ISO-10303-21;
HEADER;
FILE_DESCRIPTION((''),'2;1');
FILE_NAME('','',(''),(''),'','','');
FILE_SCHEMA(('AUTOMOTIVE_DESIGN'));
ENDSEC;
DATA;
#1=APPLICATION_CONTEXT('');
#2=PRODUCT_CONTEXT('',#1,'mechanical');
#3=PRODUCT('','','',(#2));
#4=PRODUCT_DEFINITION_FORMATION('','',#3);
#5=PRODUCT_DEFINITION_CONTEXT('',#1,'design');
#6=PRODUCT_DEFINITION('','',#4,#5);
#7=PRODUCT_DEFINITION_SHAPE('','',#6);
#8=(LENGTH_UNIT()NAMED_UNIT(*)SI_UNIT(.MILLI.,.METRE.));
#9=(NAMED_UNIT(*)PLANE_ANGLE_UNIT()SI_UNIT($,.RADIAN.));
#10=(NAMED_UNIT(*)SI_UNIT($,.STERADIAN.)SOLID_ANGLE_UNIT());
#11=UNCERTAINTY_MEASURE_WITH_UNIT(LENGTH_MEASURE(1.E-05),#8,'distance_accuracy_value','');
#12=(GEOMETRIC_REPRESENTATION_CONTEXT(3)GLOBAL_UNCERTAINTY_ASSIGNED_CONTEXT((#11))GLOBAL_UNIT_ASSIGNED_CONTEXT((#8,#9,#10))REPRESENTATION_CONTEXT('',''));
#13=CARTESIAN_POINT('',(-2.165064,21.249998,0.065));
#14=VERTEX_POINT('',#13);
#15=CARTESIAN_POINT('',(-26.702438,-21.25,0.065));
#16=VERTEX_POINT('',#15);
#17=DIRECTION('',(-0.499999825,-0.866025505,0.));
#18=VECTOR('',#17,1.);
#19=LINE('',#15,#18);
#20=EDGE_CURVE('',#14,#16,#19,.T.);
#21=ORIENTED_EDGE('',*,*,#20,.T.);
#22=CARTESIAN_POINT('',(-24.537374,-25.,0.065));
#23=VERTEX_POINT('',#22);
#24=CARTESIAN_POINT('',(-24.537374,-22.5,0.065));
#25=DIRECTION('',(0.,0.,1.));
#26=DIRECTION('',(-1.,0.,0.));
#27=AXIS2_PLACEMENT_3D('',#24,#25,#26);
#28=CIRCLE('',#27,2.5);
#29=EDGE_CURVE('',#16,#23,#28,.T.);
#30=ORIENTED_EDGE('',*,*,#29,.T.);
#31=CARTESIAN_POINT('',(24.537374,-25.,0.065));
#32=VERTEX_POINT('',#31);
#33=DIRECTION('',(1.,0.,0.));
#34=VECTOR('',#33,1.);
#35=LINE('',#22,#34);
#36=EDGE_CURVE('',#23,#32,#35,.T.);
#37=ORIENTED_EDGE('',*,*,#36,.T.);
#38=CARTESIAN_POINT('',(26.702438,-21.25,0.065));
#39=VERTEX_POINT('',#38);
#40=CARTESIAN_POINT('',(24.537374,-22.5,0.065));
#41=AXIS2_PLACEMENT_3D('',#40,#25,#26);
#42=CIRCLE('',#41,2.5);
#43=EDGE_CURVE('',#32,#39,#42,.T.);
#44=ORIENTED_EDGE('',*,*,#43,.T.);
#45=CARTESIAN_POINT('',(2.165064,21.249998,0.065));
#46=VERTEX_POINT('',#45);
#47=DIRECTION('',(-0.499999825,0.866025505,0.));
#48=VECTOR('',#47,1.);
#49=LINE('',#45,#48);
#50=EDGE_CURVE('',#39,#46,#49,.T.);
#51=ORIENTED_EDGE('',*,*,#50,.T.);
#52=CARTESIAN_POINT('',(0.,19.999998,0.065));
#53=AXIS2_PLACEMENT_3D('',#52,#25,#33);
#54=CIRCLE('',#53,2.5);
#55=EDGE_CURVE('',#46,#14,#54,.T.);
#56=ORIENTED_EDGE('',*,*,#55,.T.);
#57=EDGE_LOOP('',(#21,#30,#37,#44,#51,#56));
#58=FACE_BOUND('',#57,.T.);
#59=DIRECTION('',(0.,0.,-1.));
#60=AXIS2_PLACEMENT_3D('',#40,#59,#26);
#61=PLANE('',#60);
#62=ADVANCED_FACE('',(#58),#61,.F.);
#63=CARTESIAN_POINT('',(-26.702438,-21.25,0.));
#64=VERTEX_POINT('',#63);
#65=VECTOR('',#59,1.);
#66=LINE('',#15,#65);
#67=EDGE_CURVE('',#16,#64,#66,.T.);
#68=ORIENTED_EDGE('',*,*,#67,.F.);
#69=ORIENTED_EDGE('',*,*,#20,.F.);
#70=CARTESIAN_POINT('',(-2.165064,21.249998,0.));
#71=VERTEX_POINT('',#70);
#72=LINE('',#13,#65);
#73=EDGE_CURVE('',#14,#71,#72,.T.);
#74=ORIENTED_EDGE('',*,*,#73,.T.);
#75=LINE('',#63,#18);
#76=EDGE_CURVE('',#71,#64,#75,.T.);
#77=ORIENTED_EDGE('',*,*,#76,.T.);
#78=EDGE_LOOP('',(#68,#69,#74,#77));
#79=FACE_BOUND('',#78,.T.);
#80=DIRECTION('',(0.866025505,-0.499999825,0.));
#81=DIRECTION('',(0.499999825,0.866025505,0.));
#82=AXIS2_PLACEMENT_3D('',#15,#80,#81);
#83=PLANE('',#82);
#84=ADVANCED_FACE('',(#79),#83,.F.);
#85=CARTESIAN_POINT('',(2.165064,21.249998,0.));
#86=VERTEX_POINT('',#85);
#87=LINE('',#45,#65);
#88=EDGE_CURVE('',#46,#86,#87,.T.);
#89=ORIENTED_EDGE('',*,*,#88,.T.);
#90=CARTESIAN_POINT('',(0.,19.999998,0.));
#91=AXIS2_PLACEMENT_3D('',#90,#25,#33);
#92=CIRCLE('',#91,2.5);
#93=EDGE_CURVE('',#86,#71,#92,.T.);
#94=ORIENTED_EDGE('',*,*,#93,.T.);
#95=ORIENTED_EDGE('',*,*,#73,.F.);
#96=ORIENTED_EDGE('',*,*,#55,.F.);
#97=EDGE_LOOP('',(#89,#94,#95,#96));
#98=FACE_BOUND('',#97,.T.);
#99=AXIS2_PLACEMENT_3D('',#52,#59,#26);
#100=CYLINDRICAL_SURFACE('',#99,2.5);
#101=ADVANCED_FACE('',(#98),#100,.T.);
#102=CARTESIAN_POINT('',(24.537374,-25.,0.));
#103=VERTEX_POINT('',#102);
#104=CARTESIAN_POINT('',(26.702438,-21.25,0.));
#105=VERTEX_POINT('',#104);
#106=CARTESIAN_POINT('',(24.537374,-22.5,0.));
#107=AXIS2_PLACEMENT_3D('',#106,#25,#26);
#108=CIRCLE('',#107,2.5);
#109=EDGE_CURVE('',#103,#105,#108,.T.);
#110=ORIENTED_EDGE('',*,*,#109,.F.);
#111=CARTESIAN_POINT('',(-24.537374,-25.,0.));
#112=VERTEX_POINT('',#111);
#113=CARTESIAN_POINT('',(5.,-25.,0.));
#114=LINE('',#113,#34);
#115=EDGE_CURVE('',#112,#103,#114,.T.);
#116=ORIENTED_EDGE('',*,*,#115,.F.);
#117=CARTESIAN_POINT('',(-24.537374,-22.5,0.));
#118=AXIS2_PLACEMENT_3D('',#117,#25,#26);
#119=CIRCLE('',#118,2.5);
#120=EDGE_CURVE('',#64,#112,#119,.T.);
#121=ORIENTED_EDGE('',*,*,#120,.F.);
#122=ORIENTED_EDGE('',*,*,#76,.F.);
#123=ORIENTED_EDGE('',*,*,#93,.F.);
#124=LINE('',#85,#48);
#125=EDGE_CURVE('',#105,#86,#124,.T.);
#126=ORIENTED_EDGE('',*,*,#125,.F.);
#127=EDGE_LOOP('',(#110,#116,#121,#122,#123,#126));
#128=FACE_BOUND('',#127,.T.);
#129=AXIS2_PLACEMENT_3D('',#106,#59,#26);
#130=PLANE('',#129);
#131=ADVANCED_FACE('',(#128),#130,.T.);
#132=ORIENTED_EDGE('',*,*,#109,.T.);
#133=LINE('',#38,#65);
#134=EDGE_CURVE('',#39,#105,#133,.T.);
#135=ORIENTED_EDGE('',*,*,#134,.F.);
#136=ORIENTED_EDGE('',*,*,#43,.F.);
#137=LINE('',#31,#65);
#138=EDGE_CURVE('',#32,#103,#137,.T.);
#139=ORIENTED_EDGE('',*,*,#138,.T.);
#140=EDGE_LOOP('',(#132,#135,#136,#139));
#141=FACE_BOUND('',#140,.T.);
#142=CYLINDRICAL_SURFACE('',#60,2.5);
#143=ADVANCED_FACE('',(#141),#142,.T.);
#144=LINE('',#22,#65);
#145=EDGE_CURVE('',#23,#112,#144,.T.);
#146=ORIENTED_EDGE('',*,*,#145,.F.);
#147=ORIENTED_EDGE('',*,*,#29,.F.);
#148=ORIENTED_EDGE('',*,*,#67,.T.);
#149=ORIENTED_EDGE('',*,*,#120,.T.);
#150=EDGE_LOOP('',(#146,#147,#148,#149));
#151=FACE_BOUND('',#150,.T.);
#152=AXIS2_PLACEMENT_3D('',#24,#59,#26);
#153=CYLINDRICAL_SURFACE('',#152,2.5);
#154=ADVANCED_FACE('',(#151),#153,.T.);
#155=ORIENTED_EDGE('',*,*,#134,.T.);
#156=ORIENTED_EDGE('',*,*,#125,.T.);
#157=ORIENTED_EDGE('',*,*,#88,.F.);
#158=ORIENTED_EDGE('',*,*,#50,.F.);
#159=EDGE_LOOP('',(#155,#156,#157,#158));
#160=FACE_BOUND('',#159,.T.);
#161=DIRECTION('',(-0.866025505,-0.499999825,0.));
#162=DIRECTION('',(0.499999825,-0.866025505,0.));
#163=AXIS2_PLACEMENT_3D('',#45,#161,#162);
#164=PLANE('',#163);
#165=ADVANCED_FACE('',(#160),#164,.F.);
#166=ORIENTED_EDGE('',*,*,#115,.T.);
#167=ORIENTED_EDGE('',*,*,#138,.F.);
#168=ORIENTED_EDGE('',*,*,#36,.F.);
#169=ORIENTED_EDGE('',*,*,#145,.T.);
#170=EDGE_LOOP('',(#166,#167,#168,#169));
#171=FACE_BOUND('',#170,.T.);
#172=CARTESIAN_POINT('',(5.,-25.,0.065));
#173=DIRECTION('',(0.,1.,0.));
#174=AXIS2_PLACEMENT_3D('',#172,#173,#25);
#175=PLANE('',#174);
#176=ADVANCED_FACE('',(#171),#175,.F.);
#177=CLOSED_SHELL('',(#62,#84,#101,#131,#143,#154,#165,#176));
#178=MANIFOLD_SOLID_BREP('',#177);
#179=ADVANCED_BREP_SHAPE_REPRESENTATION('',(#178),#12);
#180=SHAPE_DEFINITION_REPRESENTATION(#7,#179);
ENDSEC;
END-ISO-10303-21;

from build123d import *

# Parameters (mm, degrees)
BOSS_EXTRUDE1_DEPTH = 0.065


with BuildPart() as part:
    # Sketch1 → Boss-Extrude1 (new body)
    with BuildSketch(Plane.XY):
        with BuildLine():
            Line((-24.537373991, -25), (-5, -25))
            Line((-5, -25), (5, -25))
            Line((5, -25), (24.537373991, -25))
            ThreePointArc((24.537373991, -25), (26.702437374, -23.750000219), (26.702437752, -21.250000437))
            Line((26.702437752, -21.250000437), (2.165063762, 21.249997814))
            ThreePointArc((2.165063762, 21.249997814), (0, 22.499998252), (-2.165063762, 21.249997814))
            Line((-2.165063762, 21.249997814), (-26.702437752, -21.250000437))
            ThreePointArc((-26.702437752, -21.250000437), (-26.702437374, -23.750000219), (-24.537373991, -25))
        make_face()
    extrude(amount=BOSS_EXTRUDE1_DEPTH)


solid = part.part
